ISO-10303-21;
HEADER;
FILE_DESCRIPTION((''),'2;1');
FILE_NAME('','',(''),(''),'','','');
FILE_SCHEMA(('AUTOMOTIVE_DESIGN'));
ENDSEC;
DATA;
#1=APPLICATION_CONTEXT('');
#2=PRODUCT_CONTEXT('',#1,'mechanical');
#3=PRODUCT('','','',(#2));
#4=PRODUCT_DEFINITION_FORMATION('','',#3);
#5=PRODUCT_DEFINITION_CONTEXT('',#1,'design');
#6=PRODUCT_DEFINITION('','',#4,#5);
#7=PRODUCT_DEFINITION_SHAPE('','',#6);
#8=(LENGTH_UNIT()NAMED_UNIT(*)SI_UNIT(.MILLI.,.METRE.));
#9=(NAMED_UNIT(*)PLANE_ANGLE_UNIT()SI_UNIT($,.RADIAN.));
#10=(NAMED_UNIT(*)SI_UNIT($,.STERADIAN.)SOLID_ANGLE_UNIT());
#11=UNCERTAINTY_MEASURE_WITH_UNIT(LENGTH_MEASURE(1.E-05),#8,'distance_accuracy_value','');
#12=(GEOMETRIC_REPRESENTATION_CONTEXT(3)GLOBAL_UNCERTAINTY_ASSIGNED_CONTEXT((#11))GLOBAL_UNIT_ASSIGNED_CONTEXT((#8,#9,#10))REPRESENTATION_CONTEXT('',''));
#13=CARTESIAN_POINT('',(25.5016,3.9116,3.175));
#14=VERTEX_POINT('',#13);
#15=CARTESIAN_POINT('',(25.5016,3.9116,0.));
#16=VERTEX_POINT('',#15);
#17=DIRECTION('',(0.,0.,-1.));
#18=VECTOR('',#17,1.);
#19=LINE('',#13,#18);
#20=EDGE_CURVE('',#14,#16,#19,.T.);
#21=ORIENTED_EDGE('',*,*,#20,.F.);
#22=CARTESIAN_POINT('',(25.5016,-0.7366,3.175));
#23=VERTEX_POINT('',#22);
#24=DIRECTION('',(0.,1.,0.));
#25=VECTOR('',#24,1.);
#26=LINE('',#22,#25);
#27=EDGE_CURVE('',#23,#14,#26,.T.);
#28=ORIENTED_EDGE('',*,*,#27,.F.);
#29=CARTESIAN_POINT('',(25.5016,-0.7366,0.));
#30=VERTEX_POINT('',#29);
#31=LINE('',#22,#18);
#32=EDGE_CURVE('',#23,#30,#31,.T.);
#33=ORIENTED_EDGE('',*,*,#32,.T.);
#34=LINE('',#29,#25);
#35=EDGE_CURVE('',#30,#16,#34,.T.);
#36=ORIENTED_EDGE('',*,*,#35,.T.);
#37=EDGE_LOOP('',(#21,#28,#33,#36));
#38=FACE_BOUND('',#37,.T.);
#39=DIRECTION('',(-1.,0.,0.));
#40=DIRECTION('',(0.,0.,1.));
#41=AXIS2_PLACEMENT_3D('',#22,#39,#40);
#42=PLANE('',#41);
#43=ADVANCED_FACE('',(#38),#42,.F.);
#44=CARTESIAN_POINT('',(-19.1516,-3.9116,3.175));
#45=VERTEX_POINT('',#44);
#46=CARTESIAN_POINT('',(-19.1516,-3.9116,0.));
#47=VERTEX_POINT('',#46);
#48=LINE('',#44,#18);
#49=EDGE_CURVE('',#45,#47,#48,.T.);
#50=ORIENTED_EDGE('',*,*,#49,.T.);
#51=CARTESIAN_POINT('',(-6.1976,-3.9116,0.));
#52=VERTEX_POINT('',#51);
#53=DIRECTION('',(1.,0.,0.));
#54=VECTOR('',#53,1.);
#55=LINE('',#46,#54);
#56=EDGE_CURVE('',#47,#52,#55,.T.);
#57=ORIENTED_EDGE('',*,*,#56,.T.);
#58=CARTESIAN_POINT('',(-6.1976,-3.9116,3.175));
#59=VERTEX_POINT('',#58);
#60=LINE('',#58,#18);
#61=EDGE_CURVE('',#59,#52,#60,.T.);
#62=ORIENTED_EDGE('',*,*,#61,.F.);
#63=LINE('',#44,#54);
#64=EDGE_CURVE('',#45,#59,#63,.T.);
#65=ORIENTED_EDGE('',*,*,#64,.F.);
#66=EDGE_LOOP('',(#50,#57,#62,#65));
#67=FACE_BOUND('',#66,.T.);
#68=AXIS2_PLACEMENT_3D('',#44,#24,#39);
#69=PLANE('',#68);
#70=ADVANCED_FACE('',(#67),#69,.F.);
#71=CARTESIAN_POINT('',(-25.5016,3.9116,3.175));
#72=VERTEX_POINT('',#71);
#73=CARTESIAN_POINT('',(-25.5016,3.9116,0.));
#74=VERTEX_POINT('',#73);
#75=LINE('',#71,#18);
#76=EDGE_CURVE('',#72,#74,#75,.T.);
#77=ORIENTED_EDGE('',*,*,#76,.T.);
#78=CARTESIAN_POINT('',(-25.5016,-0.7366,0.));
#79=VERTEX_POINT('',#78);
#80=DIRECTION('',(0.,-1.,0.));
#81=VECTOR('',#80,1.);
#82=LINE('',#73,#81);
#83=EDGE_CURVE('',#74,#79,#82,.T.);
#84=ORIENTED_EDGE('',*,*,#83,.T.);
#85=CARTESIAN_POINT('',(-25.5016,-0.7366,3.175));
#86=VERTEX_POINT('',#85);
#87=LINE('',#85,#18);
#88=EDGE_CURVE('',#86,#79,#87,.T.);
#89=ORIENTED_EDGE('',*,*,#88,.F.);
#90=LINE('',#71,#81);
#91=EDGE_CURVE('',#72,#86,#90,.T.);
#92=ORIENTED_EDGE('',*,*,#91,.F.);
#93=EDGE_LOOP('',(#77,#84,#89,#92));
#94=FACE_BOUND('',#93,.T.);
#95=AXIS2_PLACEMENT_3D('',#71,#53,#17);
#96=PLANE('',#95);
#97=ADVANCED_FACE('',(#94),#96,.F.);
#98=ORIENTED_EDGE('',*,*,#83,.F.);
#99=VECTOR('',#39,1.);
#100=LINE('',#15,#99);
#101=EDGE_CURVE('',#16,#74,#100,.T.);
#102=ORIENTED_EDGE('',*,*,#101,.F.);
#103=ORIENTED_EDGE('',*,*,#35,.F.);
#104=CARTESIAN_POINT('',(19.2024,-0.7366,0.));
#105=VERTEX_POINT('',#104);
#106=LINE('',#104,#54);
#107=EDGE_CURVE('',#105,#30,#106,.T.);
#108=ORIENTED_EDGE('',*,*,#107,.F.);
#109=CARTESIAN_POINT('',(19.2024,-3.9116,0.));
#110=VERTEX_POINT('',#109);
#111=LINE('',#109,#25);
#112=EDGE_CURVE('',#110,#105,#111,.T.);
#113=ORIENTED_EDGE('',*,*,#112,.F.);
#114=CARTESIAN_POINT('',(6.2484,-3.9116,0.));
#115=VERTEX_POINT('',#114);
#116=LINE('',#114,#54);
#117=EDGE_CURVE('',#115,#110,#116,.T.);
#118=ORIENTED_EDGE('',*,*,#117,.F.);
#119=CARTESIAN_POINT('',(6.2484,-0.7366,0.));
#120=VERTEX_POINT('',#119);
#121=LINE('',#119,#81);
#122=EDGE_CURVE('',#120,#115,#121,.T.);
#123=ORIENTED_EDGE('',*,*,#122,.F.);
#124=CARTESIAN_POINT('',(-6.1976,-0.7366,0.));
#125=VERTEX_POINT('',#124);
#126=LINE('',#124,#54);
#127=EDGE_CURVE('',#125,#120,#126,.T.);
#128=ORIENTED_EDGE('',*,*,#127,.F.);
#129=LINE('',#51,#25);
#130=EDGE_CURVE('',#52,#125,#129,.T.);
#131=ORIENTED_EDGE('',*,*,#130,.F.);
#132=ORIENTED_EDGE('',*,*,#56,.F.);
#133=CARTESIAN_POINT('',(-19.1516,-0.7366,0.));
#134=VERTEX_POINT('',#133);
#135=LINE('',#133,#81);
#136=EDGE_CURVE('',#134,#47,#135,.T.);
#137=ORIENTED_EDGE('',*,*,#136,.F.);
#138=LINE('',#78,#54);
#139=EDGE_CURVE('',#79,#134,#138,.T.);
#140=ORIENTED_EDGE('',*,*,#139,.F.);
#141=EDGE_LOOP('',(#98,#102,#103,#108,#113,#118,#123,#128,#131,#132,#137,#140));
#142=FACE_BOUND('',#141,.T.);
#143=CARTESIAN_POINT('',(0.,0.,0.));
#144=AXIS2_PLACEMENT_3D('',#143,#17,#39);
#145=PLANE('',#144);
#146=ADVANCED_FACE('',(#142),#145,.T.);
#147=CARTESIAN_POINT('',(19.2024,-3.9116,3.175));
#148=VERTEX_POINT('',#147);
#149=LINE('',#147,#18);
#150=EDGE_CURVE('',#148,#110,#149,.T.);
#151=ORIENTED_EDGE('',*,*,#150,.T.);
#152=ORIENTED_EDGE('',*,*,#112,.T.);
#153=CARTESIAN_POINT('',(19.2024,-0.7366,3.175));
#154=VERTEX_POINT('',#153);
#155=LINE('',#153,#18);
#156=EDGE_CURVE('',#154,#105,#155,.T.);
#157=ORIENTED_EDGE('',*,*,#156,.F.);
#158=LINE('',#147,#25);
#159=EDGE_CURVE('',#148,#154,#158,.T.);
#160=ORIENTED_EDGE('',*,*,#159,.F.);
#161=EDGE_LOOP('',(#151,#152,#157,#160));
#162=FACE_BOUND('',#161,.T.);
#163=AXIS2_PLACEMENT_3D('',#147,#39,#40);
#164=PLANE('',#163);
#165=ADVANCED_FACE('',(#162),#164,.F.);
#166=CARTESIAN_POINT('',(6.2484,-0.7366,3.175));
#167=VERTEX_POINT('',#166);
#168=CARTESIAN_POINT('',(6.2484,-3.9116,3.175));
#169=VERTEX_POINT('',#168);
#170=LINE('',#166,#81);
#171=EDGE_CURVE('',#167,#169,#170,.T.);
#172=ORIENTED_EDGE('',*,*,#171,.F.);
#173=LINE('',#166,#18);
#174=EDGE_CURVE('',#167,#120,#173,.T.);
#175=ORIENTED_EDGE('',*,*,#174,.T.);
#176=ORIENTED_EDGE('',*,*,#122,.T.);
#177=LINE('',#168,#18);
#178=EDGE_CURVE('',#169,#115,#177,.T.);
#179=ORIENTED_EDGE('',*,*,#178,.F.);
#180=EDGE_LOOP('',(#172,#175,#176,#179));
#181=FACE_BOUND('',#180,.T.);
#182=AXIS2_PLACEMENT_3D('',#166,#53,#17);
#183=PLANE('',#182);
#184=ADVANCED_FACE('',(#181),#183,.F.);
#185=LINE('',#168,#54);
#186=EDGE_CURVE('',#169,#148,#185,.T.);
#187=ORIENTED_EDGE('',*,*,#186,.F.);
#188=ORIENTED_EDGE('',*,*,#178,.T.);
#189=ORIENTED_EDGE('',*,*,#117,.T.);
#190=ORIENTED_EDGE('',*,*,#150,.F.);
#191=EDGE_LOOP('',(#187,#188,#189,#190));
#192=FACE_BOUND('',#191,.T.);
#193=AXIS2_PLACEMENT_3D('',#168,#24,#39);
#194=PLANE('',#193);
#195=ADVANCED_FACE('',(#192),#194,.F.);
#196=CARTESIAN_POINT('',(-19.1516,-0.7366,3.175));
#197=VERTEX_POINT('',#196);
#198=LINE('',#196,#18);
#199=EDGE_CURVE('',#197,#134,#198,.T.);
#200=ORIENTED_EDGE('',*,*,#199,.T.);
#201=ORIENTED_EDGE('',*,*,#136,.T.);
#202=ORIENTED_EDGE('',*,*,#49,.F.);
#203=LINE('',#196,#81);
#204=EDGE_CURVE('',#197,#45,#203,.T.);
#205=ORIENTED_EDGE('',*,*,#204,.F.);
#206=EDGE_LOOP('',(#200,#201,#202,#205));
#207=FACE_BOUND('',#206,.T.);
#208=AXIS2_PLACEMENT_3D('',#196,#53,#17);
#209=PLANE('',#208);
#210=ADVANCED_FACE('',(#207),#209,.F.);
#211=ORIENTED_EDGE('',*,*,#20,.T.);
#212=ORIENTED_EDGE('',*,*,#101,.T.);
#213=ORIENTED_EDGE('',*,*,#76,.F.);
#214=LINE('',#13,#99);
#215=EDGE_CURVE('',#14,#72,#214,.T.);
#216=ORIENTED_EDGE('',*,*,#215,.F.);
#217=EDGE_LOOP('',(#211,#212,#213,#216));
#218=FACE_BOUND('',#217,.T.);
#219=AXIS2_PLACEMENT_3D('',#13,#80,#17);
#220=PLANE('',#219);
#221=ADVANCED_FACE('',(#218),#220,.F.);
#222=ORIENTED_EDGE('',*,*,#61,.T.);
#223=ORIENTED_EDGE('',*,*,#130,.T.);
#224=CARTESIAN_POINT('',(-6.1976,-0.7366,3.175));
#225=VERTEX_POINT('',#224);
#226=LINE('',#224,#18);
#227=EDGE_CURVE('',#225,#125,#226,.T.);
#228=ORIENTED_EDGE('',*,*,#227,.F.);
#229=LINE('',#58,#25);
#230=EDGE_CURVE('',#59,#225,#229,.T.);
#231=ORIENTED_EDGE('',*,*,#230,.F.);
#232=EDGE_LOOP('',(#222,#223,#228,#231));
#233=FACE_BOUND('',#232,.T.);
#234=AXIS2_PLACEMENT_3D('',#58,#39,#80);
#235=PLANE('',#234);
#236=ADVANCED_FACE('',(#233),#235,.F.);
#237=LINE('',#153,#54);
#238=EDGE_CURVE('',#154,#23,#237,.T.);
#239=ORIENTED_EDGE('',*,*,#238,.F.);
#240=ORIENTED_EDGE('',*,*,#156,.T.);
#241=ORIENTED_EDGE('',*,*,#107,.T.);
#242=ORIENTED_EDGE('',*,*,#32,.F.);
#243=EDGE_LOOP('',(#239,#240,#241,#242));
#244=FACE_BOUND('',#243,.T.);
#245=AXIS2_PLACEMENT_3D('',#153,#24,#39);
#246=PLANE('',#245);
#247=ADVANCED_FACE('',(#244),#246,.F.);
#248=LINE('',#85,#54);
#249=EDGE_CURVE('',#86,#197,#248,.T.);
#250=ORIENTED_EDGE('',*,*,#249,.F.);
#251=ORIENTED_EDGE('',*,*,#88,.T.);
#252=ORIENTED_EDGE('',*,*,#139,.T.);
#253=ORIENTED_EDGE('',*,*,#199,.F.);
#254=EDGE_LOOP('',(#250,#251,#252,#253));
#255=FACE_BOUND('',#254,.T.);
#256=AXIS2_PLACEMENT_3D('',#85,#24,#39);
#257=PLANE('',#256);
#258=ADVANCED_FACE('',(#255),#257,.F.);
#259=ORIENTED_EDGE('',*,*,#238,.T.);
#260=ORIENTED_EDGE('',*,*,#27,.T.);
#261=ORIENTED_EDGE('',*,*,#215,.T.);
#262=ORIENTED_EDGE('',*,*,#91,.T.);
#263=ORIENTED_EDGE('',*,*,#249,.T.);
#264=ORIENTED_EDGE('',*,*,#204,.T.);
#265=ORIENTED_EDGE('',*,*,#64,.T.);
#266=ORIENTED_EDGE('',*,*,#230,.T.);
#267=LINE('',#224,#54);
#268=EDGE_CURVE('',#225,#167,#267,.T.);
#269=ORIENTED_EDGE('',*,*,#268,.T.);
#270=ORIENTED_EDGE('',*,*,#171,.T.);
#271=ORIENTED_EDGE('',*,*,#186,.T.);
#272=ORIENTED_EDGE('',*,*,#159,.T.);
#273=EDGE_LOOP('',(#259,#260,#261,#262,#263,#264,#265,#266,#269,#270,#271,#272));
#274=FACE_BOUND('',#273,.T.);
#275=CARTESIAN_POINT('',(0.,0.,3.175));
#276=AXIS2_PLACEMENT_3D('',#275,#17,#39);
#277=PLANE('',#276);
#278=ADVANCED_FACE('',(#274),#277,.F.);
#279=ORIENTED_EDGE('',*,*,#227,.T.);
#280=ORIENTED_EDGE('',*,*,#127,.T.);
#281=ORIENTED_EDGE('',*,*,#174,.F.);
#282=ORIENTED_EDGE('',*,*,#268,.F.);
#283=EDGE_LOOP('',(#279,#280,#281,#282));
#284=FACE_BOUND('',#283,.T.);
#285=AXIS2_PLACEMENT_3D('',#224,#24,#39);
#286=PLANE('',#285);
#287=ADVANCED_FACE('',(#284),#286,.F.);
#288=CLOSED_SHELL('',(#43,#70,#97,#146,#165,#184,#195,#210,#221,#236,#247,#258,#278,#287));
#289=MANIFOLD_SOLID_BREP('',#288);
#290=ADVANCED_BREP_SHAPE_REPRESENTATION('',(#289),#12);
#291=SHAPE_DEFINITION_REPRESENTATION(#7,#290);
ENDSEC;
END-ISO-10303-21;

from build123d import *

# Parameters (mm, degrees)
BOSS_EXTRUDE1_DEPTH = 3.175


with BuildPart() as part:
    # Sketch1 → Boss-Extrude1 (new body)
    with BuildSketch(Plane.XY):
        Polygon((19.2024, -0.7366), (25.5016, -0.7366), (25.5016, 3.9116), (-25.5016, 3.9116), (-25.5016, -0.7366), (-19.1516, -0.7366), (-19.1516, -3.9116), (-6.1976, -3.9116), (-6.1976, -0.7366), (6.2484, -0.7366), (6.2484, -3.9116), (19.2024, -3.9116), align=None)
    extrude(amount=BOSS_EXTRUDE1_DEPTH)


solid = part.part
